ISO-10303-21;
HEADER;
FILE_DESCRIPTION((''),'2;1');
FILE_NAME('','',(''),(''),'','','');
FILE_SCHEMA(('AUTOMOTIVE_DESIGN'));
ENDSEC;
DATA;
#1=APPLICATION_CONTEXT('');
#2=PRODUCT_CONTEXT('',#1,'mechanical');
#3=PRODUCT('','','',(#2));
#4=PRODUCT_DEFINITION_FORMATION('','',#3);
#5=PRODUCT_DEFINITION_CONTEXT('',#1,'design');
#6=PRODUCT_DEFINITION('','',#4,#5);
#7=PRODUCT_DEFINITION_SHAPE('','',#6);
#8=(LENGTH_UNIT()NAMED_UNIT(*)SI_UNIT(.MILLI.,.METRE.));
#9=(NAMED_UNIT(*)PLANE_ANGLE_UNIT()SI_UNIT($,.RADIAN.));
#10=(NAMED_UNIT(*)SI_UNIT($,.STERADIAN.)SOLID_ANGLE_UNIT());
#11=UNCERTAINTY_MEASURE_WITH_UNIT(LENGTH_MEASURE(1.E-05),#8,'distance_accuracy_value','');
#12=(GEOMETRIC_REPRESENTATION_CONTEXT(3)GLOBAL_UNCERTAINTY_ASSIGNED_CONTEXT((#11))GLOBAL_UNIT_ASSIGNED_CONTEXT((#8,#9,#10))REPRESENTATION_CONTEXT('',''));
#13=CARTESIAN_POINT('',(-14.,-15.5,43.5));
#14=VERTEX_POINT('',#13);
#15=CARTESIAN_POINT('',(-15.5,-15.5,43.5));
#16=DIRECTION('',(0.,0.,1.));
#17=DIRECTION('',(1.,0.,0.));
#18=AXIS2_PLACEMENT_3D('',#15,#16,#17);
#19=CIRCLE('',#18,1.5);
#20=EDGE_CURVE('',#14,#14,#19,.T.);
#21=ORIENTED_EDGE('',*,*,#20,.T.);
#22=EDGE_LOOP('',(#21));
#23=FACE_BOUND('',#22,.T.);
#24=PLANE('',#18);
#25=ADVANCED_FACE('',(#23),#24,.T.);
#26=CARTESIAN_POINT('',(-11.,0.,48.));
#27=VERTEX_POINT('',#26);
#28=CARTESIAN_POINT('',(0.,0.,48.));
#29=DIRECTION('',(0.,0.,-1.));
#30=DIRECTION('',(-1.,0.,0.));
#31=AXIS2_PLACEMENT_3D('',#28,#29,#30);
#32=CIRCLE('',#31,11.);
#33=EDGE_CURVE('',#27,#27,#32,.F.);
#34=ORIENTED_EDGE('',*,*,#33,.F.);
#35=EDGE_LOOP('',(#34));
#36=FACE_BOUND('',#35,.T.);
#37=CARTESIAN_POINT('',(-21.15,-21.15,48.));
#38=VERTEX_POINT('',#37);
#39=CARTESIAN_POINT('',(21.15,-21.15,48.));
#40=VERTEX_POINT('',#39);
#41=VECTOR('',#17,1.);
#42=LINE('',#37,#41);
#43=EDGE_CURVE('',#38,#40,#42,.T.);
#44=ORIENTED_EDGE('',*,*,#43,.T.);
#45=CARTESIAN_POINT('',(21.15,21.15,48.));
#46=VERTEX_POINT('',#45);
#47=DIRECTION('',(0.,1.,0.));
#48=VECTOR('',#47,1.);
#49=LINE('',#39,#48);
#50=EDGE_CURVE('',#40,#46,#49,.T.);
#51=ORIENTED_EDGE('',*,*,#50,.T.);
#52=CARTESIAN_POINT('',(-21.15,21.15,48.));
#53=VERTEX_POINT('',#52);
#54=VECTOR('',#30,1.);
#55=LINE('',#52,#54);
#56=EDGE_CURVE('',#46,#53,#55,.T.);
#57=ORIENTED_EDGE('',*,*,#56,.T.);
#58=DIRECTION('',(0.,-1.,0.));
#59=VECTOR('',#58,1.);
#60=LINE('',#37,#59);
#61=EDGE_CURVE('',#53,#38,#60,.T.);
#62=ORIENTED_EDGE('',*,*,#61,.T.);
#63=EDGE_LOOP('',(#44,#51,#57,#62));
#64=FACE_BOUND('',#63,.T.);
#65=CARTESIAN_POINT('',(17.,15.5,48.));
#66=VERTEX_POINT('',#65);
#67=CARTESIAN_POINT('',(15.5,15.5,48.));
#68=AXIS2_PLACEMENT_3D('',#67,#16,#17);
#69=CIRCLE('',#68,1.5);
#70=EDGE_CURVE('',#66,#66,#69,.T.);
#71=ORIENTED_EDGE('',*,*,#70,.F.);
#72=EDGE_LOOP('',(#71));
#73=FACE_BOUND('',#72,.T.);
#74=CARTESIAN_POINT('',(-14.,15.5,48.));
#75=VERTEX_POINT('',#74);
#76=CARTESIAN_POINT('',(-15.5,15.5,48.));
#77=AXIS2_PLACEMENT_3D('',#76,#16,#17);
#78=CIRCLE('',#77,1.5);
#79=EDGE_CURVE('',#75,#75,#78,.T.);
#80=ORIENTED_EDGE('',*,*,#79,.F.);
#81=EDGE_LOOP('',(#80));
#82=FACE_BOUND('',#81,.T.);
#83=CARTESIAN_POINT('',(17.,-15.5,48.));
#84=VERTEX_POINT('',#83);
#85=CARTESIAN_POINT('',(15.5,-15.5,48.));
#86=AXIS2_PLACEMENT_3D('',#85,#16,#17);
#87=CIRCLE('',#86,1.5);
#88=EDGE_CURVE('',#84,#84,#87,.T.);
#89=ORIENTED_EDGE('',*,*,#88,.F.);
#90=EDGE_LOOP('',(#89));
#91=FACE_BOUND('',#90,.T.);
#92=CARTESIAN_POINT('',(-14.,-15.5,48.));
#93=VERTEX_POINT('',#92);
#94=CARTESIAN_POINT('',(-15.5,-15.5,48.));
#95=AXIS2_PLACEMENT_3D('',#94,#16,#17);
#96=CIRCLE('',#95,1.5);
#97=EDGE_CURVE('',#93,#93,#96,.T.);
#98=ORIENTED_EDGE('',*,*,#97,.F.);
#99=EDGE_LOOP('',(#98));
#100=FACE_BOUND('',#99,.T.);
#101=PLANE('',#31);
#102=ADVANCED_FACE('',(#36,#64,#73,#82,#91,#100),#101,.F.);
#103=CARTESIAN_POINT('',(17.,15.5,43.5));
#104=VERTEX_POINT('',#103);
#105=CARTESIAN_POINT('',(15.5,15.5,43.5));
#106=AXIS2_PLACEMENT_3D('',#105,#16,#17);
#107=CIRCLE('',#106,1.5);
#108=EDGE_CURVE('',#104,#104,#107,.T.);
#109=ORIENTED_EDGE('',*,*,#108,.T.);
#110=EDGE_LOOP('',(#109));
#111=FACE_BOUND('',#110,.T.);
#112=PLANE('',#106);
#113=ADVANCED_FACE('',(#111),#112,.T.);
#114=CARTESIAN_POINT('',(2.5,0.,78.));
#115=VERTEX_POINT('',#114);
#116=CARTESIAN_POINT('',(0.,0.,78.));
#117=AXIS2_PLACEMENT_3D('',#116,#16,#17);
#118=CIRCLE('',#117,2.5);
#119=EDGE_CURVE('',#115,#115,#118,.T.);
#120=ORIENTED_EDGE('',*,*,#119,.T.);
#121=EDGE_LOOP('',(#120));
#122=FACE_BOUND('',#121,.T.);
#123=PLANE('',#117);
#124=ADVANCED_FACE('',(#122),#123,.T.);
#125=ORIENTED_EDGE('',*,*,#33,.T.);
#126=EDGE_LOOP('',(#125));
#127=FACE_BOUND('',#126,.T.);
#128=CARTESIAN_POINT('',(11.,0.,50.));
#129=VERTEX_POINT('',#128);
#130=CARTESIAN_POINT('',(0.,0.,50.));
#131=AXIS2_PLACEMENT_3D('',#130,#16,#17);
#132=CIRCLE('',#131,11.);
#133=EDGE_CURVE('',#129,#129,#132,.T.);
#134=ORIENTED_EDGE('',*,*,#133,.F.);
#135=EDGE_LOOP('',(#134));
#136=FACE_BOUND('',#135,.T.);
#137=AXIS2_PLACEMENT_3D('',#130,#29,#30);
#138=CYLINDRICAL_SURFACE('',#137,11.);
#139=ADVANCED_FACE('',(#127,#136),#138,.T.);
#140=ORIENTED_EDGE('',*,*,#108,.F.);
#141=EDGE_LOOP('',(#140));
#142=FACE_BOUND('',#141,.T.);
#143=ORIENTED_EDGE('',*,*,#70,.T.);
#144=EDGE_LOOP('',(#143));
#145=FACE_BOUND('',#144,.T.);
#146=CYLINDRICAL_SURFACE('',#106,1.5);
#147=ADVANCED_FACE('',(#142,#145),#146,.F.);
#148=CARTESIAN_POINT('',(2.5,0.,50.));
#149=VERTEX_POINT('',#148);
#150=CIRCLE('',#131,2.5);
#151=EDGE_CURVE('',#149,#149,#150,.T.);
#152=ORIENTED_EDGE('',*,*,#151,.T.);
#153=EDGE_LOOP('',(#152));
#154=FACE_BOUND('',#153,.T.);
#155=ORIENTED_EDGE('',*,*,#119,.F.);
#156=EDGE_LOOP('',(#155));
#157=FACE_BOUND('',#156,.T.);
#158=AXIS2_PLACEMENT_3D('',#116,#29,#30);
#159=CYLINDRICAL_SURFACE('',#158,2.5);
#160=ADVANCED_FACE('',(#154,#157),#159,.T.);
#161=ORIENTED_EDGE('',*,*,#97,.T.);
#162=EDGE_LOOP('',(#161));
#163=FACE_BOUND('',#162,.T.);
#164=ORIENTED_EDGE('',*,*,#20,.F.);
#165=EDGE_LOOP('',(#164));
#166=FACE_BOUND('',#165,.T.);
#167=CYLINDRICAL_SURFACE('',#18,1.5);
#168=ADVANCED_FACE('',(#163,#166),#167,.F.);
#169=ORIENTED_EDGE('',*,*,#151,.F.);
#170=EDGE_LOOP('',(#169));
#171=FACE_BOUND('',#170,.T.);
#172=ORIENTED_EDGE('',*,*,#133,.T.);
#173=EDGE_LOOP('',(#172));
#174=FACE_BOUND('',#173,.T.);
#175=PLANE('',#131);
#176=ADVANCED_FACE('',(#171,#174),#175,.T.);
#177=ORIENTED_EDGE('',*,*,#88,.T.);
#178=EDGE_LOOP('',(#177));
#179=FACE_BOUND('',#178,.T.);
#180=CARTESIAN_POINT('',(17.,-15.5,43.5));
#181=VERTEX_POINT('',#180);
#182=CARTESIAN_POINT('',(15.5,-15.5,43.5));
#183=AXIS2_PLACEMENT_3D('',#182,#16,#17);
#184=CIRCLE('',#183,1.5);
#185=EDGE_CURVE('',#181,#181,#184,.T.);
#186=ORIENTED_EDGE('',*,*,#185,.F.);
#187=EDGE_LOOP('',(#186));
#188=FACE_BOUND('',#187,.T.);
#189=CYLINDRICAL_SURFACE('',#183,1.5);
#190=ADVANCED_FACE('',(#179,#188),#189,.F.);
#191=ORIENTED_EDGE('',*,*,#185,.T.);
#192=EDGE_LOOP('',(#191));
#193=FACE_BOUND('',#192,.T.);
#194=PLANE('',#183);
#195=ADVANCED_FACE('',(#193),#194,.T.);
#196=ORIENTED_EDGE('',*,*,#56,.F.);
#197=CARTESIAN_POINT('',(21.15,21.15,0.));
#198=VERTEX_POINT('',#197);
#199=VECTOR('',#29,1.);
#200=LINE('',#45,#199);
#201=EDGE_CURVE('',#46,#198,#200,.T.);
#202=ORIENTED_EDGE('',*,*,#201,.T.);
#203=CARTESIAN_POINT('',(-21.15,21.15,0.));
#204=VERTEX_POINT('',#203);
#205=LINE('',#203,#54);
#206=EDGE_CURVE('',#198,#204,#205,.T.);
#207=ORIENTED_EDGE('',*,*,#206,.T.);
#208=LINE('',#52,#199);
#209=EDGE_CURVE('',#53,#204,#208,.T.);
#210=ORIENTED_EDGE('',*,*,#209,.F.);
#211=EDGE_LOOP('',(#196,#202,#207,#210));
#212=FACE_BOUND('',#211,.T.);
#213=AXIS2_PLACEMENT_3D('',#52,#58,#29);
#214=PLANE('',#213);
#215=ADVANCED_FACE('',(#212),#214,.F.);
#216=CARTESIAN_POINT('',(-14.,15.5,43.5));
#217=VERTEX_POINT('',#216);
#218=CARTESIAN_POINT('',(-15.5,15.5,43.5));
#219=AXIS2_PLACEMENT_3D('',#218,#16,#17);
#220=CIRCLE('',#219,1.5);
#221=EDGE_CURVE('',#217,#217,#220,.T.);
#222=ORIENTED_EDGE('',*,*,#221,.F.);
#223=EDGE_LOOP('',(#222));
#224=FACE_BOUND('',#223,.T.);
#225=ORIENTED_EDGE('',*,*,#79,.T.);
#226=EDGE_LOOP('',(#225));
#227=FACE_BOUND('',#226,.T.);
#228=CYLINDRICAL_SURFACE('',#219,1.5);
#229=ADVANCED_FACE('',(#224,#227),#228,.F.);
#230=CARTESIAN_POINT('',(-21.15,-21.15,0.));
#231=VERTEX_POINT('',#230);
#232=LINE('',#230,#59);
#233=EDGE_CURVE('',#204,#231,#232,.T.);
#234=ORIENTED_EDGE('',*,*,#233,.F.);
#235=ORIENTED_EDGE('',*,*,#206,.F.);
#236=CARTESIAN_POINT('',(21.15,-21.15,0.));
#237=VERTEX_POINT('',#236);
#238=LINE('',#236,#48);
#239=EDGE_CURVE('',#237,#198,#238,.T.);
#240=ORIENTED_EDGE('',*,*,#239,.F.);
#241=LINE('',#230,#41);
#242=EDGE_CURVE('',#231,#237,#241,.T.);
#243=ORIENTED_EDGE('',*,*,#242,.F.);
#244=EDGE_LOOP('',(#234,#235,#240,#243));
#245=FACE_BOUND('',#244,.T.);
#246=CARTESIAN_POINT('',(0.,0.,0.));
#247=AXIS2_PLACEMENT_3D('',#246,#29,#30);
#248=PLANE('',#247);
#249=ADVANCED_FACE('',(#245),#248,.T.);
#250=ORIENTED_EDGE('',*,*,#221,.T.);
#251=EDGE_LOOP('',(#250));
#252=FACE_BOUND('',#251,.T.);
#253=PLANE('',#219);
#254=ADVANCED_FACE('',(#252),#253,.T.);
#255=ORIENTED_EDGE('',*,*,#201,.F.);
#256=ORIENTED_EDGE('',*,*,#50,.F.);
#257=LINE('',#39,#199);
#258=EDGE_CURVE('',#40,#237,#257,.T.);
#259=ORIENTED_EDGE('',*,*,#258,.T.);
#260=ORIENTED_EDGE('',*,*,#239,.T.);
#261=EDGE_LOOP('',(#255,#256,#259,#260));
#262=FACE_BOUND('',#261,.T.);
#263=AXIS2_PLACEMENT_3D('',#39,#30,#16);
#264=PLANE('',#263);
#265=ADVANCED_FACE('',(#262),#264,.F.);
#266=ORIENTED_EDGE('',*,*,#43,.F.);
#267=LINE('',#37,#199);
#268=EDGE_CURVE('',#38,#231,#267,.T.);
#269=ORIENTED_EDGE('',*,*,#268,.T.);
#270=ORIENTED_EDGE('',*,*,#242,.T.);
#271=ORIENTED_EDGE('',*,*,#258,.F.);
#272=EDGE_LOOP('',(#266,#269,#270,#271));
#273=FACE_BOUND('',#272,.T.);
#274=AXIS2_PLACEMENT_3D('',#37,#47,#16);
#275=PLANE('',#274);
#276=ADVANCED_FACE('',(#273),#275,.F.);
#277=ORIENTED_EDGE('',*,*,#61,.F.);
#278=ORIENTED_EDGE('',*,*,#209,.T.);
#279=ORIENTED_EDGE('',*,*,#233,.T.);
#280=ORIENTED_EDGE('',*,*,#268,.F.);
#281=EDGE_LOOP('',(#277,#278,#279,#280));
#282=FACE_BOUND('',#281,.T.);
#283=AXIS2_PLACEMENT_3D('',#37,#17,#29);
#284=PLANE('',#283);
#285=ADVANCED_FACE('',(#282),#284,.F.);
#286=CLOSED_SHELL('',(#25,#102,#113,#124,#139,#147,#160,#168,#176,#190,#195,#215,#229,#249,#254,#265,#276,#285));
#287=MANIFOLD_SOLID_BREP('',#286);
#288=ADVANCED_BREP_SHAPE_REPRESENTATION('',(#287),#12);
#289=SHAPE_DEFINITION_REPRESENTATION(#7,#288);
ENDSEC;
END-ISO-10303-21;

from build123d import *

# Parameters (mm, degrees)
SKETCH_1_W          = 42.3
SKETCH_1_H          = 42.3
EXTRUDE_1492_DEPTH  = 48
SKETCH_2_R          = 2.5
EXTRUDE_1547_DEPTH  = 78
SKETCH_3_R          = 11
EXTRUDE_1594_DEPTH  = 50
CUT_EXTRUDE_START   = 48
SKETCH_5_R          = 1.5
CUT_EXTRUDE_3_DEPTH = 4.5


with BuildPart() as part:
    # Эскиз1 → Extrude 1492 (new body)
    with BuildSketch(Plane.XY):
        Rectangle(SKETCH_1_W, SKETCH_1_H)
    extrude(amount=EXTRUDE_1492_DEPTH)

    # Эскиз2 → Extrude 1547 (add)
    with BuildSketch(Plane.XY):
        with Locations(Location((0, 0, 0), (0, 0, 180))):
            Circle(SKETCH_2_R)
    extrude(amount=EXTRUDE_1547_DEPTH)

    # Эскиз3 → Extrude 1594 (add)
    with BuildSketch(Plane.XY):
        with Locations(Location((0, 0, 0), (0, 0, 180))):
            Circle(SKETCH_3_R)
    extrude(amount=EXTRUDE_1594_DEPTH)

    # Эскиз5 → Крепеж_М3_ПРЕДВ (cut)
    with BuildSketch(Plane.XY.offset(CUT_EXTRUDE_START)):
        with Locations((-15.5, -15.5)):
            Circle(SKETCH_5_R)
        with Locations((-15.5, 15.5)):
            Circle(SKETCH_5_R)
        with Locations((15.5, -15.5)):
            Circle(SKETCH_5_R)
        with Locations((15.5, 15.5)):
            Circle(SKETCH_5_R)
    extrude(amount=-CUT_EXTRUDE_3_DEPTH, mode=Mode.SUBTRACT)


solid = part.part
